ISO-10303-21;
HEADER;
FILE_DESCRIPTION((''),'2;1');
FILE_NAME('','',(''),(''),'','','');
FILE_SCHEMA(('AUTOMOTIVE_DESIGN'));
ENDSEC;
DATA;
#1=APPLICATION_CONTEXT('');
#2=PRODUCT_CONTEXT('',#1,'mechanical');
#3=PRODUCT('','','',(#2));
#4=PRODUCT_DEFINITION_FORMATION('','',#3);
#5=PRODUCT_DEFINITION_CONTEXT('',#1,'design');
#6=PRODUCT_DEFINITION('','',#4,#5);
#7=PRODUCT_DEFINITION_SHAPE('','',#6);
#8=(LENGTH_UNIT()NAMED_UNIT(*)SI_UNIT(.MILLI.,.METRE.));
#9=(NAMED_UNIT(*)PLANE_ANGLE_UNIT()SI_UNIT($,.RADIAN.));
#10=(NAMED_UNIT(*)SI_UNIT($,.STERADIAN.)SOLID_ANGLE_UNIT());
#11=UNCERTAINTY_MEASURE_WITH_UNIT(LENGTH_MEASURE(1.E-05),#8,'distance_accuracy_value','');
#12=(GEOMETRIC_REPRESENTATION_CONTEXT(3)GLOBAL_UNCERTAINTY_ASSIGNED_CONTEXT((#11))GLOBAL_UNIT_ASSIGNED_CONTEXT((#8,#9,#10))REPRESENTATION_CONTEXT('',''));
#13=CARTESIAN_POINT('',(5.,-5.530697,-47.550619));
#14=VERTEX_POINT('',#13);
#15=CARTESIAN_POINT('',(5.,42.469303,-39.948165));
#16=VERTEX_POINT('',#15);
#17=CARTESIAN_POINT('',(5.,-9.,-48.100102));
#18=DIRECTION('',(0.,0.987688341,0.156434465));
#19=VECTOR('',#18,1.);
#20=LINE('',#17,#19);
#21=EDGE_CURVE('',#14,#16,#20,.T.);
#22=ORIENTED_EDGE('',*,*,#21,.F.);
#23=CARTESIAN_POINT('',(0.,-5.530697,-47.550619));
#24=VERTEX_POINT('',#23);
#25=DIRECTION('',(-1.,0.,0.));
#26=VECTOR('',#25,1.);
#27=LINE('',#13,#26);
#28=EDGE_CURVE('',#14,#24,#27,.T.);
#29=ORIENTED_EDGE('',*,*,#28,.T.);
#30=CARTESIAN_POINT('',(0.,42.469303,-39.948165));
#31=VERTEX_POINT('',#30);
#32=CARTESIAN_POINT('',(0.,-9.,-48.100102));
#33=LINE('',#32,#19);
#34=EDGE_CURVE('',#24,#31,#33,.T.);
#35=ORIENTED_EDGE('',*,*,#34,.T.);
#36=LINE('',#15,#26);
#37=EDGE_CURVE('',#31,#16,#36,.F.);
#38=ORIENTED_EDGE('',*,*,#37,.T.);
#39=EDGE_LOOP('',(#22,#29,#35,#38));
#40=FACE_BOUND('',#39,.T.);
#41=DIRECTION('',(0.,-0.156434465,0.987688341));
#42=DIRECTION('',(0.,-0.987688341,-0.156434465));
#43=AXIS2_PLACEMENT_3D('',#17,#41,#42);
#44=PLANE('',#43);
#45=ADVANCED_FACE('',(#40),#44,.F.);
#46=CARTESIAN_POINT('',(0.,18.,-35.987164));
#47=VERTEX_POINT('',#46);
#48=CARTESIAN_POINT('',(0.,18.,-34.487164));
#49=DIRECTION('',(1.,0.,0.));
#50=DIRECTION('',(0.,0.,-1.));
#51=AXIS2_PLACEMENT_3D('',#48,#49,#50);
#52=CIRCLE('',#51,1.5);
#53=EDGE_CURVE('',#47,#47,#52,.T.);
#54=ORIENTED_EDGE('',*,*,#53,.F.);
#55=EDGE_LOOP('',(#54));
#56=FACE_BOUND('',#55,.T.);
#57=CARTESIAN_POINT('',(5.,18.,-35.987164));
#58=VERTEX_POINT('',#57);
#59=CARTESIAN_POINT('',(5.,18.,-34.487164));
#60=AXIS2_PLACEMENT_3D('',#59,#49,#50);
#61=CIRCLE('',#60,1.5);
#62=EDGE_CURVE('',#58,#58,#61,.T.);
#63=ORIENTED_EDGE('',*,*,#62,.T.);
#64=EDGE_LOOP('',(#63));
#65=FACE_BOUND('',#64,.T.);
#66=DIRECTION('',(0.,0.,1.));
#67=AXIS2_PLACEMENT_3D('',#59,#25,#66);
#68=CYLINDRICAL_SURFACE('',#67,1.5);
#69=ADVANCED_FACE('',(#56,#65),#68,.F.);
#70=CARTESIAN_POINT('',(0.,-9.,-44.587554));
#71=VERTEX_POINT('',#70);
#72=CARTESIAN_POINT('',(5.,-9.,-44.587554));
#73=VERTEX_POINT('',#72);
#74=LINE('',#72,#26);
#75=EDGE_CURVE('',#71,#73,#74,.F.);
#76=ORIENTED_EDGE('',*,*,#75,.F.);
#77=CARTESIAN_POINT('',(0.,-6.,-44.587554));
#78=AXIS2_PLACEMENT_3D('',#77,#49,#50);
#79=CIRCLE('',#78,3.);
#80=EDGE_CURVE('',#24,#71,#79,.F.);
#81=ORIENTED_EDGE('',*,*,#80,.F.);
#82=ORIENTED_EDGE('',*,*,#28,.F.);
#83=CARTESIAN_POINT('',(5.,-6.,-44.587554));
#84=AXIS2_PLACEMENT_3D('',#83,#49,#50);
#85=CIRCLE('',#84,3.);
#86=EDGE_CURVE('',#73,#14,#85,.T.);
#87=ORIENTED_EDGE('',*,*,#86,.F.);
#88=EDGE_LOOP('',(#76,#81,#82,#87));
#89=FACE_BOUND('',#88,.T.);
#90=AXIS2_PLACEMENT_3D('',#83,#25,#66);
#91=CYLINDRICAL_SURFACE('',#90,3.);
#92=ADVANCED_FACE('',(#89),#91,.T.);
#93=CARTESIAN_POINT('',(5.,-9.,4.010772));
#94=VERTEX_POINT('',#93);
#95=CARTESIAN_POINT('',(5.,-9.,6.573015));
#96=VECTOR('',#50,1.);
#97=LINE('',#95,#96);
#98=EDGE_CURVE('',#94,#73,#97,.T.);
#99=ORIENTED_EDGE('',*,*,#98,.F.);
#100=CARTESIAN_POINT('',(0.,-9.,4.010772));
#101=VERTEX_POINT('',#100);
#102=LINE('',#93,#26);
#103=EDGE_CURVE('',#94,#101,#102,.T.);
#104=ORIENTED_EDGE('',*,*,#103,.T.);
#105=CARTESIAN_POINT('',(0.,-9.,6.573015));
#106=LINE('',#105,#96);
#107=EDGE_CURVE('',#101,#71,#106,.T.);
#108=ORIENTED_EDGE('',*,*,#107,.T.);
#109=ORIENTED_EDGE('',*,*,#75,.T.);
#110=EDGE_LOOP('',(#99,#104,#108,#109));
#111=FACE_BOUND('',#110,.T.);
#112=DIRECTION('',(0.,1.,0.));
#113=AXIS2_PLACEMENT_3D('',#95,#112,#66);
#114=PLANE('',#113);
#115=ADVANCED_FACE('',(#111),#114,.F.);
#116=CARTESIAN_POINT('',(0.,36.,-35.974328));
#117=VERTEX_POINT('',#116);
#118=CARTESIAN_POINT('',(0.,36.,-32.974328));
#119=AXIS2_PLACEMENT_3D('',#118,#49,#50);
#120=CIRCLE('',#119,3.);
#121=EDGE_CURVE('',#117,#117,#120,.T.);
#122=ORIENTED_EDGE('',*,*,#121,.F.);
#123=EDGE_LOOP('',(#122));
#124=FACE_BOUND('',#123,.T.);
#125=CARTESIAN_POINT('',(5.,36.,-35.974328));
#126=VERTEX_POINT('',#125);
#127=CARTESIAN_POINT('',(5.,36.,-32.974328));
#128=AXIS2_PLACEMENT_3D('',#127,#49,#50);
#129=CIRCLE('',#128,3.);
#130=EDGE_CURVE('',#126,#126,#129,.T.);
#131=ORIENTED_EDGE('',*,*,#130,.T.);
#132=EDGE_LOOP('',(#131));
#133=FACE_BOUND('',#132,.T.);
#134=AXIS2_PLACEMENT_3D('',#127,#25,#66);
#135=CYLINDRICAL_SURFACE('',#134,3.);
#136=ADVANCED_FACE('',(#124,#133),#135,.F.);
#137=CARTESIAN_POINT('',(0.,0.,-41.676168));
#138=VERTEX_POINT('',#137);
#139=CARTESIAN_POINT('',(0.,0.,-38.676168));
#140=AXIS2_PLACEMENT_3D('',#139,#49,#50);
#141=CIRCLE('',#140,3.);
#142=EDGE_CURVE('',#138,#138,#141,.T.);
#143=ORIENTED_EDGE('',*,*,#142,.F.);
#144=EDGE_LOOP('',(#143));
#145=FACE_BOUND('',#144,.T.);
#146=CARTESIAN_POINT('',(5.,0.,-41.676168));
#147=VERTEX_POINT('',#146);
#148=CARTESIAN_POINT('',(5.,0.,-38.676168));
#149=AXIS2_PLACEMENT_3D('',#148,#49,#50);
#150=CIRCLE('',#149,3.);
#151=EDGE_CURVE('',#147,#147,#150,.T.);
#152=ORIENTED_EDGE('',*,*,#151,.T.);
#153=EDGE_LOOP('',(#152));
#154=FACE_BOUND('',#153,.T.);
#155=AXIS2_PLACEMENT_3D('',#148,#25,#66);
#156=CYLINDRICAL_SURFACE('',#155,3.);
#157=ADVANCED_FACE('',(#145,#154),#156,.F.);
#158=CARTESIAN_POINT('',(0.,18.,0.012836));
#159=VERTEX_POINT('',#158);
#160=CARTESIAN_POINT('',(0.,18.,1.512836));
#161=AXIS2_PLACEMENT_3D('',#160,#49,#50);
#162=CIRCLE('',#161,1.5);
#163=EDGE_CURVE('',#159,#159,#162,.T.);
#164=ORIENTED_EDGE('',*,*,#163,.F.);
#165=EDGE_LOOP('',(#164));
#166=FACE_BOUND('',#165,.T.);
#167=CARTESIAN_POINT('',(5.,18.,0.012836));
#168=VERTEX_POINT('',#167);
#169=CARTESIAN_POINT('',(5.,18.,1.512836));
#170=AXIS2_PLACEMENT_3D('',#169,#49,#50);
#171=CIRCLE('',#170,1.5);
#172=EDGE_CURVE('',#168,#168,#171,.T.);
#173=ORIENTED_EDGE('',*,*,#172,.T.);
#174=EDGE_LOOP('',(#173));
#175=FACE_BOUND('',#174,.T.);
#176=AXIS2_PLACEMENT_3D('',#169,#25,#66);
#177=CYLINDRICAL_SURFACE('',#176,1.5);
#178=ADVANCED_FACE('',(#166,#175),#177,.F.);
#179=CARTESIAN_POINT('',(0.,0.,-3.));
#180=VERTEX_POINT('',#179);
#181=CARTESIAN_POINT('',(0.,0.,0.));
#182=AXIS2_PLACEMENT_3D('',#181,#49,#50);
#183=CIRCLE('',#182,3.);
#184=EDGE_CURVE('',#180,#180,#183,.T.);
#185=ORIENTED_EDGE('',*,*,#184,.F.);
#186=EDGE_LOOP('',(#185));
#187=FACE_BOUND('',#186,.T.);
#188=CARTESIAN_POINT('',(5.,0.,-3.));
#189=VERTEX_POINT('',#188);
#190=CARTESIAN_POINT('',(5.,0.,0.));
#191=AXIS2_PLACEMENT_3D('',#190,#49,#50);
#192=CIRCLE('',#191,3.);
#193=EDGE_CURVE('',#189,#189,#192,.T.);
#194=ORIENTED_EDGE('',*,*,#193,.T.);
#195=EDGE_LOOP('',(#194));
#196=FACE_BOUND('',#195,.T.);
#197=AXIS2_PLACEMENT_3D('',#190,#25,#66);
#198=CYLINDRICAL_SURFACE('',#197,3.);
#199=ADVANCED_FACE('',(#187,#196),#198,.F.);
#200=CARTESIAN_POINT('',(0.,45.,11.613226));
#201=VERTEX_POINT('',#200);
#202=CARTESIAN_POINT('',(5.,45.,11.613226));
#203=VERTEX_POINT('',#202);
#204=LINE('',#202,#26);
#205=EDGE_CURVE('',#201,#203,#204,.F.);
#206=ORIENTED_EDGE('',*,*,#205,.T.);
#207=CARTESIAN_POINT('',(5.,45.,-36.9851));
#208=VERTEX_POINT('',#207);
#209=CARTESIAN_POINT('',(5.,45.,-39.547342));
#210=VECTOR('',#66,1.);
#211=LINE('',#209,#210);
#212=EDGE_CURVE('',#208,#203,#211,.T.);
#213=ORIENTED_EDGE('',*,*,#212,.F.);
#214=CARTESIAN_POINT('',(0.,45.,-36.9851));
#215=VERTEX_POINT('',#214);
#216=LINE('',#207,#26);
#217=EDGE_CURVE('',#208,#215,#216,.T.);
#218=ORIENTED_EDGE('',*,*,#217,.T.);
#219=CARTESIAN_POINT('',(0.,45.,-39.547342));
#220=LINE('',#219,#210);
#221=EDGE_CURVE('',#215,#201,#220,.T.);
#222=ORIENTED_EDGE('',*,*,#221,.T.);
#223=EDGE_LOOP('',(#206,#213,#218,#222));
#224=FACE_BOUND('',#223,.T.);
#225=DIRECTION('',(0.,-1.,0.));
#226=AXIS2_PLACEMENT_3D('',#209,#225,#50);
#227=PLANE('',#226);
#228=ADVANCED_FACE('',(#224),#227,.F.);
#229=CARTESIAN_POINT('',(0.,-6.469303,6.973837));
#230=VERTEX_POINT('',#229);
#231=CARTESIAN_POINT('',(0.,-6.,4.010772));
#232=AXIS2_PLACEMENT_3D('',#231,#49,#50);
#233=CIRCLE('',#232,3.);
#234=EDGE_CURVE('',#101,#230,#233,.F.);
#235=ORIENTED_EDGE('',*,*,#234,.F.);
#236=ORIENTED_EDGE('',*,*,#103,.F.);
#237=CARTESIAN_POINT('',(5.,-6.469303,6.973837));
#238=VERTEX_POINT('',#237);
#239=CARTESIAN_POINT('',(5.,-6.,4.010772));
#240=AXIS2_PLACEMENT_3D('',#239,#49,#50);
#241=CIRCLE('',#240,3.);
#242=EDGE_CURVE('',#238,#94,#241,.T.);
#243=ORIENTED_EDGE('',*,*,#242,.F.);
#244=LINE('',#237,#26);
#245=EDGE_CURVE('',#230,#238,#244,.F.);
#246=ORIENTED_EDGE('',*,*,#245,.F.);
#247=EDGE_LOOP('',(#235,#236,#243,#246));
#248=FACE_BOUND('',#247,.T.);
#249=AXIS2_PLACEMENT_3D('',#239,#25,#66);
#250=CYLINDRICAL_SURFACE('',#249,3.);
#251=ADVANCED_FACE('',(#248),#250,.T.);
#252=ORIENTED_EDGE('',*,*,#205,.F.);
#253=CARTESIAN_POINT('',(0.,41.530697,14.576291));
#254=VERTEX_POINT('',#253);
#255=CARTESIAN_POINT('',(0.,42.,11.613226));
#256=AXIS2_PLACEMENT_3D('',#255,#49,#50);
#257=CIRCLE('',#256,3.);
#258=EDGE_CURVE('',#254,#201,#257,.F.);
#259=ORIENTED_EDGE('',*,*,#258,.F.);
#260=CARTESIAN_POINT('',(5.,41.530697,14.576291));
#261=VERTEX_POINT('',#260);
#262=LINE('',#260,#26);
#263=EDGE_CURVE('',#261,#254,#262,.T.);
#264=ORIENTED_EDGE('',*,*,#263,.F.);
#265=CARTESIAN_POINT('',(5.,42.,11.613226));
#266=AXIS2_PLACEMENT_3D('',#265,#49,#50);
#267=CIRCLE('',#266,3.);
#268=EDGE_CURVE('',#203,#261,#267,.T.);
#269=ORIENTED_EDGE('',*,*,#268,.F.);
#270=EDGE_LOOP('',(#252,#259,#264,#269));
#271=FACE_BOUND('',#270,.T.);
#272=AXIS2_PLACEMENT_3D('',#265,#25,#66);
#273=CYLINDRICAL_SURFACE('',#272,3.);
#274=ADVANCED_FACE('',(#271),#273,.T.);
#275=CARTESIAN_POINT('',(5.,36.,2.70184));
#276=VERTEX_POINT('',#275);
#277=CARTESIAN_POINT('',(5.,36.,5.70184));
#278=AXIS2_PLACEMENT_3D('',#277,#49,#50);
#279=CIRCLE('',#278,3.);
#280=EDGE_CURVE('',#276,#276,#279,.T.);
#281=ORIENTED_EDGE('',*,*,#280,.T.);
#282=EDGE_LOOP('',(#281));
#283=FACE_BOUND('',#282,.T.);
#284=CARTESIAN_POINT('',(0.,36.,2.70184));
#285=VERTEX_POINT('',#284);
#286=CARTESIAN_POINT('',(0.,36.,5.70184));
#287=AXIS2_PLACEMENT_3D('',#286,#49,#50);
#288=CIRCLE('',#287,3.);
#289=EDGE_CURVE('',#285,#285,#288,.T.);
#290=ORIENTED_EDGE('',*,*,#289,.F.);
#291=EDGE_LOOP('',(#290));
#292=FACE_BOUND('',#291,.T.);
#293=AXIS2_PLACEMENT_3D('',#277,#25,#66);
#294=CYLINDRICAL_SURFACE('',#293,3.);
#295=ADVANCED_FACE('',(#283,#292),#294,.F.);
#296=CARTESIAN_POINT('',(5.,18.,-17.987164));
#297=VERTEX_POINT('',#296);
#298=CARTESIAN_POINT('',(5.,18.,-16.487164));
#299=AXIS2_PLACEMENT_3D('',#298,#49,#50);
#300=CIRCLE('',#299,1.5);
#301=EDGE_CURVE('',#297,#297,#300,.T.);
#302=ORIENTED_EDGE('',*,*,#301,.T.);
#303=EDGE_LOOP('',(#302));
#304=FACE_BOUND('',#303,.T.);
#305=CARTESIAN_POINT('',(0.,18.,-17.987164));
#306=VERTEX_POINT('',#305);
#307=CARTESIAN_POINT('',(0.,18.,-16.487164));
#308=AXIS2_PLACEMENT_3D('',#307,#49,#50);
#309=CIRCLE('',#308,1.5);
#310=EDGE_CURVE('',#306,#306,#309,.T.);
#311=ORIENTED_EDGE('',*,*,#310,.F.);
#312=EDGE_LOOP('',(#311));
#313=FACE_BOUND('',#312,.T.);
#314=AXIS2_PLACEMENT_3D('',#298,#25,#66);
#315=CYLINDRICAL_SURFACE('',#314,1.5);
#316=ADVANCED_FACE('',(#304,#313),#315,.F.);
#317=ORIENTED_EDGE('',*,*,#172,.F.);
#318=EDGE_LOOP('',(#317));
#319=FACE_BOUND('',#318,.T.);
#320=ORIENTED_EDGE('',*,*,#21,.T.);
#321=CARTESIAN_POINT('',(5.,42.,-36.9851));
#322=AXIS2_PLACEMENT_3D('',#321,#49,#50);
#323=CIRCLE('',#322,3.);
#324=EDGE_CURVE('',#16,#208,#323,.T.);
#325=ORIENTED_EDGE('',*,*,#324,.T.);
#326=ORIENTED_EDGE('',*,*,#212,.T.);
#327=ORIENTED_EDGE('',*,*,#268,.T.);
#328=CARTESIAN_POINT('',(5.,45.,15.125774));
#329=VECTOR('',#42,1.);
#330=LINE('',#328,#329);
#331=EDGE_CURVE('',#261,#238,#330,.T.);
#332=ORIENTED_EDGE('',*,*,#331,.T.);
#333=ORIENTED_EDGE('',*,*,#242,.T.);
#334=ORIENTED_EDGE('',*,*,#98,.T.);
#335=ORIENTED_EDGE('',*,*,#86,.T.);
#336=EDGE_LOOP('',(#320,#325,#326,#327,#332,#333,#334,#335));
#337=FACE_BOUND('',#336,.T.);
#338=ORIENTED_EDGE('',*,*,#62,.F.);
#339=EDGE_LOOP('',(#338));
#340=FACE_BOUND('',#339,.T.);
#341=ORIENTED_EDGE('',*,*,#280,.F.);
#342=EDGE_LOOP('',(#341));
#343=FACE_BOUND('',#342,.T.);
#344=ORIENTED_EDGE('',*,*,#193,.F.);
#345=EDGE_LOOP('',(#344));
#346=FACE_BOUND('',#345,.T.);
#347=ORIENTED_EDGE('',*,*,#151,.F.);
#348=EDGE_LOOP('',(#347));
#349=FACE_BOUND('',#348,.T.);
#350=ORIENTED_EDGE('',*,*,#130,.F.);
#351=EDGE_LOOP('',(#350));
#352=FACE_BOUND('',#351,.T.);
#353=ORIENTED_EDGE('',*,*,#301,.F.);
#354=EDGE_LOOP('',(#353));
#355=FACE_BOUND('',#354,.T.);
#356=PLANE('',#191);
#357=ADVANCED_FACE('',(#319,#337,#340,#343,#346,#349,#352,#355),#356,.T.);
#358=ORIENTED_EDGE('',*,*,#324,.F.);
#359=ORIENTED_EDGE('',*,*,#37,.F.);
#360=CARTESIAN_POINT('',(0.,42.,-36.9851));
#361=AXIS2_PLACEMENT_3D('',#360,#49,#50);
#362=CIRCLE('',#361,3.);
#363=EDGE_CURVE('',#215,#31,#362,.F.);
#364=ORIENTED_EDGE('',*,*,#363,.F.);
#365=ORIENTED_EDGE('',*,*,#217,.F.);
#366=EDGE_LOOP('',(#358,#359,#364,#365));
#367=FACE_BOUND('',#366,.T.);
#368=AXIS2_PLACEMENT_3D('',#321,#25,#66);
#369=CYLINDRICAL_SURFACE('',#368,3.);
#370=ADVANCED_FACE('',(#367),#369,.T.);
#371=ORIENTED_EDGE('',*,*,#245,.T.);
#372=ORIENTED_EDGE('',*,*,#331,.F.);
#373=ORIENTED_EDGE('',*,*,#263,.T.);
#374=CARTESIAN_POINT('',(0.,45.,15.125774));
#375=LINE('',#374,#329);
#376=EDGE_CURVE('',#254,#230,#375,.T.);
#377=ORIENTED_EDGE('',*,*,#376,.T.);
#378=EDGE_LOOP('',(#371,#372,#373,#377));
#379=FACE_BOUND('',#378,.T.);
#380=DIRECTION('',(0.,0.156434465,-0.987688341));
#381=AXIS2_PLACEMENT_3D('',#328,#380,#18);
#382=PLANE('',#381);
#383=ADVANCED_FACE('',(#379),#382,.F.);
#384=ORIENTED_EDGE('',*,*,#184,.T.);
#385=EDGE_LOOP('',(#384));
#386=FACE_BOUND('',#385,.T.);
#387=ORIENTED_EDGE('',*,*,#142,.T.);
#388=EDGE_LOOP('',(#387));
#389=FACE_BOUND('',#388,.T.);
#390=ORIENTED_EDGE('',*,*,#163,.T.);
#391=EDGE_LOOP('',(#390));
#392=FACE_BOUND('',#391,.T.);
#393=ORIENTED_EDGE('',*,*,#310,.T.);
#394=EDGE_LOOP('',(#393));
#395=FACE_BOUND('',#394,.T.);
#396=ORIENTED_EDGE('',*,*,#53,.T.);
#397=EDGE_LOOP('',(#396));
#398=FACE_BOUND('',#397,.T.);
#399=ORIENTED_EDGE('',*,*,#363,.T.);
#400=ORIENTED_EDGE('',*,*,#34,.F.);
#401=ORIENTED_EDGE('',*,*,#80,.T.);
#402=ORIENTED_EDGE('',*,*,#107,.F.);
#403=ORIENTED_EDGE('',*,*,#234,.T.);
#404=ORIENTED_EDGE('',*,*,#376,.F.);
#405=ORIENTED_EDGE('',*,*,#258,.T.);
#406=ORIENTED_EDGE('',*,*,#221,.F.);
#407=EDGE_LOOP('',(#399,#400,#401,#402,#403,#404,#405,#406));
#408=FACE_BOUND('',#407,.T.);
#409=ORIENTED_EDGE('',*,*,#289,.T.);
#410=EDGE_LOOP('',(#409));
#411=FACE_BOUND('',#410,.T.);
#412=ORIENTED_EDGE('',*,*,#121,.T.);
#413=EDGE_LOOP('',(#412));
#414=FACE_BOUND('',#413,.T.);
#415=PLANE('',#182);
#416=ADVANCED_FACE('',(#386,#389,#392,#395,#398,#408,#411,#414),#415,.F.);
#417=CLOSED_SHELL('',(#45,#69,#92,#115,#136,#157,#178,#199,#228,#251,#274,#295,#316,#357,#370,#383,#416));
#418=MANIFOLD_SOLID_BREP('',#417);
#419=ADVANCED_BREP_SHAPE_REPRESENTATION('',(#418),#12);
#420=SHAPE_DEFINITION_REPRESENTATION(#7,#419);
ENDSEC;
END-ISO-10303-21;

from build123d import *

# Parameters (mm, degrees)
SKETCH1_R           = 3
SKETCH1_R_2         = 1.5
BOSS_EXTRUDE1_DEPTH = 5
FILLET1_R           = 3


with BuildPart() as part:
    # Sketch1 → Boss-Extrude1 (new body)
    with BuildSketch(Plane(origin=(0, 0, 0), x_dir=(0, 0, -1), z_dir=(1, 0, 0))):
        Polygon((-6.573014531, -9), (48.100102262, -9), (39.547342484, 45), (-15.125774308, 45), align=None)
        Circle(SKETCH1_R, mode=Mode.SUBTRACT)
        with Locations((38.676167805, 0)):
            Circle(SKETCH1_R, mode=Mode.SUBTRACT)
        with Locations((-5.701839852, 36)):
            Circle(SKETCH1_R, mode=Mode.SUBTRACT)
        with Locations((32.974327953, 36)):
            Circle(SKETCH1_R, mode=Mode.SUBTRACT)
        with Locations((16.487163977, 18)):
            Circle(SKETCH1_R_2, mode=Mode.SUBTRACT)
        with Locations((-1.512836023, 18)):
            Circle(SKETCH1_R_2, mode=Mode.SUBTRACT)
        with Locations((34.487163977, 18)):
            Circle(SKETCH1_R_2, mode=Mode.SUBTRACT)
    extrude(amount=BOSS_EXTRUDE1_DEPTH)

    # Fillet1
    fillet1_edges = [part.edges().sort_by_distance(p)[0] for p in [
        (2.5, 45, 15.125774308),
        (2.5, 45, -39.547342484),
        (2.5, -9, -48.100102262),
        (2.5, -9, 6.573014531),
    ]]
    fillet(fillet1_edges, radius=FILLET1_R)


solid = part.part
